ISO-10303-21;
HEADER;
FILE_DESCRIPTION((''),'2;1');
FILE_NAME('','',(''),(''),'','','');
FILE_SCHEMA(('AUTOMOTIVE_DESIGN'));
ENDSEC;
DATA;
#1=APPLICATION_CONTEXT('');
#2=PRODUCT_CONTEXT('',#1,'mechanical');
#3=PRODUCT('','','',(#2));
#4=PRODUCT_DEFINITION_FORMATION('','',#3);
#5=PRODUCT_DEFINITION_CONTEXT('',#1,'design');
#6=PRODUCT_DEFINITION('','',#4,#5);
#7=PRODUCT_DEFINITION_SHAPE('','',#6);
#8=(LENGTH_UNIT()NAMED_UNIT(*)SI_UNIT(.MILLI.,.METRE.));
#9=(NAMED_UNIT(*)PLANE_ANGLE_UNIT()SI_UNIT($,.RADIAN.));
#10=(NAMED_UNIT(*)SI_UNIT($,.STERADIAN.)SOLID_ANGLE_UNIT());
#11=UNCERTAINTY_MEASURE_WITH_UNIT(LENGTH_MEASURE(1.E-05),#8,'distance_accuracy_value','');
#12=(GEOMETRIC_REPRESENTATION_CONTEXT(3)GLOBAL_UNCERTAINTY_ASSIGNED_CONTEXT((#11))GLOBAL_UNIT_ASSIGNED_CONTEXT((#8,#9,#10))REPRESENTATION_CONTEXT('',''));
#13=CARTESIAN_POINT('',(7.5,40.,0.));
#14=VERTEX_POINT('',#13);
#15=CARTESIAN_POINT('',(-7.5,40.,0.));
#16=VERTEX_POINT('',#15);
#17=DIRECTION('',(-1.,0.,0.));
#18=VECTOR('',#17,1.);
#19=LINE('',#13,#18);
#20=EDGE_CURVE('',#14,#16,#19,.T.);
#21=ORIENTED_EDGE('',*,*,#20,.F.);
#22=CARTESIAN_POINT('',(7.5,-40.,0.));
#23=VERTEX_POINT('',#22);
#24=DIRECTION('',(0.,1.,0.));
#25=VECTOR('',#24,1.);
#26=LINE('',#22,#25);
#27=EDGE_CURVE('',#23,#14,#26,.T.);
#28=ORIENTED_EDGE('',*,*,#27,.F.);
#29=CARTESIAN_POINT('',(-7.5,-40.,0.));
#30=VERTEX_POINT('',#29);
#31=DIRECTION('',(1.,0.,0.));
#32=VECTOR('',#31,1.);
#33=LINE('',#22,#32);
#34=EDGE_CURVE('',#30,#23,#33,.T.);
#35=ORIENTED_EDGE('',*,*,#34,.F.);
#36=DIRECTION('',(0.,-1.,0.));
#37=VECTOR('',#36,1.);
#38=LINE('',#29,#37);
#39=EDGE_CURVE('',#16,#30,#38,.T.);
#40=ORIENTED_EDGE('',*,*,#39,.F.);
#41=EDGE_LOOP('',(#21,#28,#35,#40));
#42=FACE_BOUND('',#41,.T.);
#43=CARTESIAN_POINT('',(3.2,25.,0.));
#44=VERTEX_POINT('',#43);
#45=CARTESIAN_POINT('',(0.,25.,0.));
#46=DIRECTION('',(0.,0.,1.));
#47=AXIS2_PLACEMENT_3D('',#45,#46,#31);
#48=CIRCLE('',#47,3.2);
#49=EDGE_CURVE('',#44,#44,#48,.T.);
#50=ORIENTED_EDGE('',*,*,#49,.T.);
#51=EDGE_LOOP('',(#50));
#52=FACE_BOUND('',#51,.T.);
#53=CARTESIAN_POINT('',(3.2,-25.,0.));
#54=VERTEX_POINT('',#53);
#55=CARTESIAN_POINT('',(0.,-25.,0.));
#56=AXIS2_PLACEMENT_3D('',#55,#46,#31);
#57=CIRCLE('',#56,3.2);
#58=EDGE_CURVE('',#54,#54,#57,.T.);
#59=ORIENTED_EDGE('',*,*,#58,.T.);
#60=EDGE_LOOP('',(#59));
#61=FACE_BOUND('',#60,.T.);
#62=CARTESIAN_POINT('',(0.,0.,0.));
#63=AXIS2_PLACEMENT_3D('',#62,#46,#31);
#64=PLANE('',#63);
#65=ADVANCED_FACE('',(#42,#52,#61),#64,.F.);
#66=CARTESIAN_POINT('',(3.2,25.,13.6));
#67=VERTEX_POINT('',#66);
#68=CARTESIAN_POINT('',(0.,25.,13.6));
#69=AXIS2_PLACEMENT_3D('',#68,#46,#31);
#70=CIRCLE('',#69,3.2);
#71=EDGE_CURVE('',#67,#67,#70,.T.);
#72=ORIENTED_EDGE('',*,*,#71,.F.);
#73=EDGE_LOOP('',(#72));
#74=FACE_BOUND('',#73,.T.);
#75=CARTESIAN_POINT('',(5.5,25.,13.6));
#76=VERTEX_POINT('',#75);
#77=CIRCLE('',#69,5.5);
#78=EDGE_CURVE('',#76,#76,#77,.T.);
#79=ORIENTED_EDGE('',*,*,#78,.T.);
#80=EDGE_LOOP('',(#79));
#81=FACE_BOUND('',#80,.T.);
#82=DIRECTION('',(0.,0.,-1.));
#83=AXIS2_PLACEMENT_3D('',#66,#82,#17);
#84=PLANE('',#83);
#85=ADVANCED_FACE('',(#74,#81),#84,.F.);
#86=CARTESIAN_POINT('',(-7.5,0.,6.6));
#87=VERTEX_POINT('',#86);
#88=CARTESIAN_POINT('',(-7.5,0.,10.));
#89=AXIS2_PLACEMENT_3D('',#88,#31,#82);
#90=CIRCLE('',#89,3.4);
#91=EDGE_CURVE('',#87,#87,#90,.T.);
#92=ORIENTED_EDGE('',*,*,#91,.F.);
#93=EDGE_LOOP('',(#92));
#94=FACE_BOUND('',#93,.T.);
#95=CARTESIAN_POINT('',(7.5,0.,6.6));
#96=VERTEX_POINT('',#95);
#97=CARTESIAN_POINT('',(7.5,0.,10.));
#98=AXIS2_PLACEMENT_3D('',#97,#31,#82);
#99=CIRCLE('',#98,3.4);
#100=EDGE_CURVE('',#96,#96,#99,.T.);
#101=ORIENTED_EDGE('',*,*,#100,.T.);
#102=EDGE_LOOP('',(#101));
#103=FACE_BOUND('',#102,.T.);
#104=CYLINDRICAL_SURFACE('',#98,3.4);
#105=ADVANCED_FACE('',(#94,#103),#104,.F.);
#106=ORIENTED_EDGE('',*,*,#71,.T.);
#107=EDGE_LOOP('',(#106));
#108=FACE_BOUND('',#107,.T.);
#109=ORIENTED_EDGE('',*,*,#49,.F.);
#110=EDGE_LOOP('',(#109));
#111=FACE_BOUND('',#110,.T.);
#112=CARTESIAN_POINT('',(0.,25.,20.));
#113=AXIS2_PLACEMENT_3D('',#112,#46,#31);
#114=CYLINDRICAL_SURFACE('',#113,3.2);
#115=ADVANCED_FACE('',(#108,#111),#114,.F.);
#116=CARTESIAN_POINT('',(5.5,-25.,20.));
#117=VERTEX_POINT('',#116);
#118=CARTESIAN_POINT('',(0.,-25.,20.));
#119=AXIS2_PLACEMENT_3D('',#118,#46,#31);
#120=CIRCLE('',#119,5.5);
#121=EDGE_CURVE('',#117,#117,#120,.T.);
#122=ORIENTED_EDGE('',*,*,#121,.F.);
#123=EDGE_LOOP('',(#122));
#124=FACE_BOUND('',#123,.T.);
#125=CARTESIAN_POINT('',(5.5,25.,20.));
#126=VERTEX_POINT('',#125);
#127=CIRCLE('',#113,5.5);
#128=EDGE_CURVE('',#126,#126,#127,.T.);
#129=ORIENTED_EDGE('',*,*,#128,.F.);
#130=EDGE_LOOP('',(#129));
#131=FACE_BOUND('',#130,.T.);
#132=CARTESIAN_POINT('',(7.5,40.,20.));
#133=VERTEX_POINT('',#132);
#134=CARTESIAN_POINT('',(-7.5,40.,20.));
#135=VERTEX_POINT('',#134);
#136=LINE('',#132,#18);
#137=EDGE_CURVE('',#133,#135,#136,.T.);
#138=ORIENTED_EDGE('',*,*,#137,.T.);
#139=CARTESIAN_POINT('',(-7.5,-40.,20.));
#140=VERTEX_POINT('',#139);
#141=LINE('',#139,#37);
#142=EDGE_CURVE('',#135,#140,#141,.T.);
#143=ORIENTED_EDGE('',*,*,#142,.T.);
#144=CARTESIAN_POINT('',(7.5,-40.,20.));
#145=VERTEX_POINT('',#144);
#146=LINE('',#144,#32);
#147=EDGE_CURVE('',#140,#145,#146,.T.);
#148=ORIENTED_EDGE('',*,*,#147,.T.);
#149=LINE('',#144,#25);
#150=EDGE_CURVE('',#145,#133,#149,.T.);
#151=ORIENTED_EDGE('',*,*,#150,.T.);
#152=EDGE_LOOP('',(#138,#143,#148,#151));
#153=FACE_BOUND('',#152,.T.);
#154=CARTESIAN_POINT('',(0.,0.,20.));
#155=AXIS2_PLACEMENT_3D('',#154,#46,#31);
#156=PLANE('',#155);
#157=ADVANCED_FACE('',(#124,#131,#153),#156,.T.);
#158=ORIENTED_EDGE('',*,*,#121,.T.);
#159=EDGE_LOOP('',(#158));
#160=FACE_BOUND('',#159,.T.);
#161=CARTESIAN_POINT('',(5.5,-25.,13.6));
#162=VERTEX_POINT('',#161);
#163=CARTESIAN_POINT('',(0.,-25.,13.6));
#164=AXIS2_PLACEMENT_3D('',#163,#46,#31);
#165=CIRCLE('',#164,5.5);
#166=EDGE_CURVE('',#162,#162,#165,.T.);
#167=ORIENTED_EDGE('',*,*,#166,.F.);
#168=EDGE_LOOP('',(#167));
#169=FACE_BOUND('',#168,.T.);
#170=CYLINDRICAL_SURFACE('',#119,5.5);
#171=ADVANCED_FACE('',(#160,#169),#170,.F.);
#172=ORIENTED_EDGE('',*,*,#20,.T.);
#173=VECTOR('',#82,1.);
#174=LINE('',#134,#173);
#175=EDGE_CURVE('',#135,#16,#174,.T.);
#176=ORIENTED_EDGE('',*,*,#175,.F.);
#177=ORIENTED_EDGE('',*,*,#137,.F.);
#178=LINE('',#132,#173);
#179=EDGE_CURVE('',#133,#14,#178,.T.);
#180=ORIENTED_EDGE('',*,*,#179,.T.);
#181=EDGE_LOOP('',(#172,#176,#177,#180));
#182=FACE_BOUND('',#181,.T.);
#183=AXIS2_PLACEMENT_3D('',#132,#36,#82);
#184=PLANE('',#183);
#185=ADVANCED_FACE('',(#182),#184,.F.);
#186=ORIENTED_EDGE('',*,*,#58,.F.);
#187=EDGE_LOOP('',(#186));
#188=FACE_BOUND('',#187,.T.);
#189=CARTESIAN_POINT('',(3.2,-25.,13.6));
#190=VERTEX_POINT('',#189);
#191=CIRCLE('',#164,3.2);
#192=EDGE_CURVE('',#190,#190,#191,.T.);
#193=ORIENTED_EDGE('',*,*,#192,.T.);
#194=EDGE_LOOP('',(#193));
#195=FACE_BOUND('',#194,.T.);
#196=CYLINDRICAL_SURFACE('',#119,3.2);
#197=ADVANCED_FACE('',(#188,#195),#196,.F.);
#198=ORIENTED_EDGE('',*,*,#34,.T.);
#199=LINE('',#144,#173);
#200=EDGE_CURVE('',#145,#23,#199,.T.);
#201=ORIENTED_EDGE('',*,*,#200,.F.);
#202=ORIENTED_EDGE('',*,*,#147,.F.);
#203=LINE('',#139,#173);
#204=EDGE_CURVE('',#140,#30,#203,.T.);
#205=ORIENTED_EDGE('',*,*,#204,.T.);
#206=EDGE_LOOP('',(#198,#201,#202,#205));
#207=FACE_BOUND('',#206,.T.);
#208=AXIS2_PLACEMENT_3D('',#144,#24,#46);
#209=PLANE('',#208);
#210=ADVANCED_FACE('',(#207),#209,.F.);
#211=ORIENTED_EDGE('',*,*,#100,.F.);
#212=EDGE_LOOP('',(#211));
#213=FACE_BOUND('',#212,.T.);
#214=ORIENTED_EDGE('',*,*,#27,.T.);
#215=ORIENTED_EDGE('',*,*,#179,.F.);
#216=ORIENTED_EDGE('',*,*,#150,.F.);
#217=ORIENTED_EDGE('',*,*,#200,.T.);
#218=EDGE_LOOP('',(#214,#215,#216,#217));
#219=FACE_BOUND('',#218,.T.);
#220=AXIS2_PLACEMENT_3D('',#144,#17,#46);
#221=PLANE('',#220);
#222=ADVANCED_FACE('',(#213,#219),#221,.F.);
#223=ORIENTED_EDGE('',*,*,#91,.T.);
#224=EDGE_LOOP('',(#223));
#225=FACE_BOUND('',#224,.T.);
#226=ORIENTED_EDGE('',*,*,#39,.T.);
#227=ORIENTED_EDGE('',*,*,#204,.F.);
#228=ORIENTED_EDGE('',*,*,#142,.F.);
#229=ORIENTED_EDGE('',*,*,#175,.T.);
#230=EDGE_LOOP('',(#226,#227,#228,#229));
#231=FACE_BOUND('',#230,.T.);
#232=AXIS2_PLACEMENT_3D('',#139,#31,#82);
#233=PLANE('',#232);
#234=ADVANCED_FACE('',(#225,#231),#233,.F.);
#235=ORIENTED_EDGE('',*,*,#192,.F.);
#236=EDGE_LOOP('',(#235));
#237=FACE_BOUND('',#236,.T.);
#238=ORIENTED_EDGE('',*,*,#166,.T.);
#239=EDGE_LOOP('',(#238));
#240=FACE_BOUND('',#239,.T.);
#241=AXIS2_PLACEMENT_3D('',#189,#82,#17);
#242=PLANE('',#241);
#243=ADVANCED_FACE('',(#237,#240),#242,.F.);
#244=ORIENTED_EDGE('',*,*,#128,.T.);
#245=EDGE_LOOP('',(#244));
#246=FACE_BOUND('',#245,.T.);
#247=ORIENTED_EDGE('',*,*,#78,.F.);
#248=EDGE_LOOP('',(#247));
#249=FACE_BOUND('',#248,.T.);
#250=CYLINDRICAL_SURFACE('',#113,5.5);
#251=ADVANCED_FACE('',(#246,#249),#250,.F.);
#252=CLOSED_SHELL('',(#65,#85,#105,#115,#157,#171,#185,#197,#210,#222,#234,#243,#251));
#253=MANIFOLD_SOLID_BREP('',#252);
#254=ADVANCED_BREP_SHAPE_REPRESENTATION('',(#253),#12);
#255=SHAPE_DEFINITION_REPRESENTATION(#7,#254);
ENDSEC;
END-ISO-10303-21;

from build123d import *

# Parameters (mm, degrees)
SKETCH_1_W                   = 15
SKETCH_1_H                   = 80
EXTRUDE_1_DEPTH              = 20
HOLE_WIZARD_M8_1_D           = 6.8
HOLE_WIZARD_M8_1_DEPTH       = 19.75
HOLE_WIZARD_M8_1_TIP         = 2.042926105
HOLE_WIZARD_M6_1_D           = 6.4
HOLE_WIZARD_M6_1_CBORE_D     = 11
HOLE_WIZARD_M6_1_CBORE_DEPTH = 6.4


with BuildPart() as part:
    # 草图1 → 凸台-拉伸1 (new body)
    with BuildSketch(Plane.XY):
        Rectangle(SKETCH_1_W, SKETCH_1_H)
    extrude(amount=EXTRUDE_1_DEPTH)

    # M8 螺纹孔1
    with Locations(Plane(origin=(7.5, 0, 10), x_dir=(0, 0, 1), z_dir=(1, 0, 0))):
        with Locations((0, 0)):
            Hole(HOLE_WIZARD_M8_1_D / 2, depth=HOLE_WIZARD_M8_1_DEPTH)
            with Locations((0, 0, -(HOLE_WIZARD_M8_1_DEPTH + HOLE_WIZARD_M8_1_TIP / 2))):  # 118° drill point
                Cone(0, HOLE_WIZARD_M8_1_D / 2, HOLE_WIZARD_M8_1_TIP, mode=Mode.SUBTRACT)

    # M6 六角凹头螺钉的柱形沉头孔1 (through all)
    with Locations(Plane(origin=(0, 25, 20), x_dir=(1, 0, 0), z_dir=(0, 0, 1))):
        with Locations((0, 0), (0, -50)):
            CounterBoreHole(HOLE_WIZARD_M6_1_D / 2, HOLE_WIZARD_M6_1_CBORE_D / 2, HOLE_WIZARD_M6_1_CBORE_DEPTH)


solid = part.part
